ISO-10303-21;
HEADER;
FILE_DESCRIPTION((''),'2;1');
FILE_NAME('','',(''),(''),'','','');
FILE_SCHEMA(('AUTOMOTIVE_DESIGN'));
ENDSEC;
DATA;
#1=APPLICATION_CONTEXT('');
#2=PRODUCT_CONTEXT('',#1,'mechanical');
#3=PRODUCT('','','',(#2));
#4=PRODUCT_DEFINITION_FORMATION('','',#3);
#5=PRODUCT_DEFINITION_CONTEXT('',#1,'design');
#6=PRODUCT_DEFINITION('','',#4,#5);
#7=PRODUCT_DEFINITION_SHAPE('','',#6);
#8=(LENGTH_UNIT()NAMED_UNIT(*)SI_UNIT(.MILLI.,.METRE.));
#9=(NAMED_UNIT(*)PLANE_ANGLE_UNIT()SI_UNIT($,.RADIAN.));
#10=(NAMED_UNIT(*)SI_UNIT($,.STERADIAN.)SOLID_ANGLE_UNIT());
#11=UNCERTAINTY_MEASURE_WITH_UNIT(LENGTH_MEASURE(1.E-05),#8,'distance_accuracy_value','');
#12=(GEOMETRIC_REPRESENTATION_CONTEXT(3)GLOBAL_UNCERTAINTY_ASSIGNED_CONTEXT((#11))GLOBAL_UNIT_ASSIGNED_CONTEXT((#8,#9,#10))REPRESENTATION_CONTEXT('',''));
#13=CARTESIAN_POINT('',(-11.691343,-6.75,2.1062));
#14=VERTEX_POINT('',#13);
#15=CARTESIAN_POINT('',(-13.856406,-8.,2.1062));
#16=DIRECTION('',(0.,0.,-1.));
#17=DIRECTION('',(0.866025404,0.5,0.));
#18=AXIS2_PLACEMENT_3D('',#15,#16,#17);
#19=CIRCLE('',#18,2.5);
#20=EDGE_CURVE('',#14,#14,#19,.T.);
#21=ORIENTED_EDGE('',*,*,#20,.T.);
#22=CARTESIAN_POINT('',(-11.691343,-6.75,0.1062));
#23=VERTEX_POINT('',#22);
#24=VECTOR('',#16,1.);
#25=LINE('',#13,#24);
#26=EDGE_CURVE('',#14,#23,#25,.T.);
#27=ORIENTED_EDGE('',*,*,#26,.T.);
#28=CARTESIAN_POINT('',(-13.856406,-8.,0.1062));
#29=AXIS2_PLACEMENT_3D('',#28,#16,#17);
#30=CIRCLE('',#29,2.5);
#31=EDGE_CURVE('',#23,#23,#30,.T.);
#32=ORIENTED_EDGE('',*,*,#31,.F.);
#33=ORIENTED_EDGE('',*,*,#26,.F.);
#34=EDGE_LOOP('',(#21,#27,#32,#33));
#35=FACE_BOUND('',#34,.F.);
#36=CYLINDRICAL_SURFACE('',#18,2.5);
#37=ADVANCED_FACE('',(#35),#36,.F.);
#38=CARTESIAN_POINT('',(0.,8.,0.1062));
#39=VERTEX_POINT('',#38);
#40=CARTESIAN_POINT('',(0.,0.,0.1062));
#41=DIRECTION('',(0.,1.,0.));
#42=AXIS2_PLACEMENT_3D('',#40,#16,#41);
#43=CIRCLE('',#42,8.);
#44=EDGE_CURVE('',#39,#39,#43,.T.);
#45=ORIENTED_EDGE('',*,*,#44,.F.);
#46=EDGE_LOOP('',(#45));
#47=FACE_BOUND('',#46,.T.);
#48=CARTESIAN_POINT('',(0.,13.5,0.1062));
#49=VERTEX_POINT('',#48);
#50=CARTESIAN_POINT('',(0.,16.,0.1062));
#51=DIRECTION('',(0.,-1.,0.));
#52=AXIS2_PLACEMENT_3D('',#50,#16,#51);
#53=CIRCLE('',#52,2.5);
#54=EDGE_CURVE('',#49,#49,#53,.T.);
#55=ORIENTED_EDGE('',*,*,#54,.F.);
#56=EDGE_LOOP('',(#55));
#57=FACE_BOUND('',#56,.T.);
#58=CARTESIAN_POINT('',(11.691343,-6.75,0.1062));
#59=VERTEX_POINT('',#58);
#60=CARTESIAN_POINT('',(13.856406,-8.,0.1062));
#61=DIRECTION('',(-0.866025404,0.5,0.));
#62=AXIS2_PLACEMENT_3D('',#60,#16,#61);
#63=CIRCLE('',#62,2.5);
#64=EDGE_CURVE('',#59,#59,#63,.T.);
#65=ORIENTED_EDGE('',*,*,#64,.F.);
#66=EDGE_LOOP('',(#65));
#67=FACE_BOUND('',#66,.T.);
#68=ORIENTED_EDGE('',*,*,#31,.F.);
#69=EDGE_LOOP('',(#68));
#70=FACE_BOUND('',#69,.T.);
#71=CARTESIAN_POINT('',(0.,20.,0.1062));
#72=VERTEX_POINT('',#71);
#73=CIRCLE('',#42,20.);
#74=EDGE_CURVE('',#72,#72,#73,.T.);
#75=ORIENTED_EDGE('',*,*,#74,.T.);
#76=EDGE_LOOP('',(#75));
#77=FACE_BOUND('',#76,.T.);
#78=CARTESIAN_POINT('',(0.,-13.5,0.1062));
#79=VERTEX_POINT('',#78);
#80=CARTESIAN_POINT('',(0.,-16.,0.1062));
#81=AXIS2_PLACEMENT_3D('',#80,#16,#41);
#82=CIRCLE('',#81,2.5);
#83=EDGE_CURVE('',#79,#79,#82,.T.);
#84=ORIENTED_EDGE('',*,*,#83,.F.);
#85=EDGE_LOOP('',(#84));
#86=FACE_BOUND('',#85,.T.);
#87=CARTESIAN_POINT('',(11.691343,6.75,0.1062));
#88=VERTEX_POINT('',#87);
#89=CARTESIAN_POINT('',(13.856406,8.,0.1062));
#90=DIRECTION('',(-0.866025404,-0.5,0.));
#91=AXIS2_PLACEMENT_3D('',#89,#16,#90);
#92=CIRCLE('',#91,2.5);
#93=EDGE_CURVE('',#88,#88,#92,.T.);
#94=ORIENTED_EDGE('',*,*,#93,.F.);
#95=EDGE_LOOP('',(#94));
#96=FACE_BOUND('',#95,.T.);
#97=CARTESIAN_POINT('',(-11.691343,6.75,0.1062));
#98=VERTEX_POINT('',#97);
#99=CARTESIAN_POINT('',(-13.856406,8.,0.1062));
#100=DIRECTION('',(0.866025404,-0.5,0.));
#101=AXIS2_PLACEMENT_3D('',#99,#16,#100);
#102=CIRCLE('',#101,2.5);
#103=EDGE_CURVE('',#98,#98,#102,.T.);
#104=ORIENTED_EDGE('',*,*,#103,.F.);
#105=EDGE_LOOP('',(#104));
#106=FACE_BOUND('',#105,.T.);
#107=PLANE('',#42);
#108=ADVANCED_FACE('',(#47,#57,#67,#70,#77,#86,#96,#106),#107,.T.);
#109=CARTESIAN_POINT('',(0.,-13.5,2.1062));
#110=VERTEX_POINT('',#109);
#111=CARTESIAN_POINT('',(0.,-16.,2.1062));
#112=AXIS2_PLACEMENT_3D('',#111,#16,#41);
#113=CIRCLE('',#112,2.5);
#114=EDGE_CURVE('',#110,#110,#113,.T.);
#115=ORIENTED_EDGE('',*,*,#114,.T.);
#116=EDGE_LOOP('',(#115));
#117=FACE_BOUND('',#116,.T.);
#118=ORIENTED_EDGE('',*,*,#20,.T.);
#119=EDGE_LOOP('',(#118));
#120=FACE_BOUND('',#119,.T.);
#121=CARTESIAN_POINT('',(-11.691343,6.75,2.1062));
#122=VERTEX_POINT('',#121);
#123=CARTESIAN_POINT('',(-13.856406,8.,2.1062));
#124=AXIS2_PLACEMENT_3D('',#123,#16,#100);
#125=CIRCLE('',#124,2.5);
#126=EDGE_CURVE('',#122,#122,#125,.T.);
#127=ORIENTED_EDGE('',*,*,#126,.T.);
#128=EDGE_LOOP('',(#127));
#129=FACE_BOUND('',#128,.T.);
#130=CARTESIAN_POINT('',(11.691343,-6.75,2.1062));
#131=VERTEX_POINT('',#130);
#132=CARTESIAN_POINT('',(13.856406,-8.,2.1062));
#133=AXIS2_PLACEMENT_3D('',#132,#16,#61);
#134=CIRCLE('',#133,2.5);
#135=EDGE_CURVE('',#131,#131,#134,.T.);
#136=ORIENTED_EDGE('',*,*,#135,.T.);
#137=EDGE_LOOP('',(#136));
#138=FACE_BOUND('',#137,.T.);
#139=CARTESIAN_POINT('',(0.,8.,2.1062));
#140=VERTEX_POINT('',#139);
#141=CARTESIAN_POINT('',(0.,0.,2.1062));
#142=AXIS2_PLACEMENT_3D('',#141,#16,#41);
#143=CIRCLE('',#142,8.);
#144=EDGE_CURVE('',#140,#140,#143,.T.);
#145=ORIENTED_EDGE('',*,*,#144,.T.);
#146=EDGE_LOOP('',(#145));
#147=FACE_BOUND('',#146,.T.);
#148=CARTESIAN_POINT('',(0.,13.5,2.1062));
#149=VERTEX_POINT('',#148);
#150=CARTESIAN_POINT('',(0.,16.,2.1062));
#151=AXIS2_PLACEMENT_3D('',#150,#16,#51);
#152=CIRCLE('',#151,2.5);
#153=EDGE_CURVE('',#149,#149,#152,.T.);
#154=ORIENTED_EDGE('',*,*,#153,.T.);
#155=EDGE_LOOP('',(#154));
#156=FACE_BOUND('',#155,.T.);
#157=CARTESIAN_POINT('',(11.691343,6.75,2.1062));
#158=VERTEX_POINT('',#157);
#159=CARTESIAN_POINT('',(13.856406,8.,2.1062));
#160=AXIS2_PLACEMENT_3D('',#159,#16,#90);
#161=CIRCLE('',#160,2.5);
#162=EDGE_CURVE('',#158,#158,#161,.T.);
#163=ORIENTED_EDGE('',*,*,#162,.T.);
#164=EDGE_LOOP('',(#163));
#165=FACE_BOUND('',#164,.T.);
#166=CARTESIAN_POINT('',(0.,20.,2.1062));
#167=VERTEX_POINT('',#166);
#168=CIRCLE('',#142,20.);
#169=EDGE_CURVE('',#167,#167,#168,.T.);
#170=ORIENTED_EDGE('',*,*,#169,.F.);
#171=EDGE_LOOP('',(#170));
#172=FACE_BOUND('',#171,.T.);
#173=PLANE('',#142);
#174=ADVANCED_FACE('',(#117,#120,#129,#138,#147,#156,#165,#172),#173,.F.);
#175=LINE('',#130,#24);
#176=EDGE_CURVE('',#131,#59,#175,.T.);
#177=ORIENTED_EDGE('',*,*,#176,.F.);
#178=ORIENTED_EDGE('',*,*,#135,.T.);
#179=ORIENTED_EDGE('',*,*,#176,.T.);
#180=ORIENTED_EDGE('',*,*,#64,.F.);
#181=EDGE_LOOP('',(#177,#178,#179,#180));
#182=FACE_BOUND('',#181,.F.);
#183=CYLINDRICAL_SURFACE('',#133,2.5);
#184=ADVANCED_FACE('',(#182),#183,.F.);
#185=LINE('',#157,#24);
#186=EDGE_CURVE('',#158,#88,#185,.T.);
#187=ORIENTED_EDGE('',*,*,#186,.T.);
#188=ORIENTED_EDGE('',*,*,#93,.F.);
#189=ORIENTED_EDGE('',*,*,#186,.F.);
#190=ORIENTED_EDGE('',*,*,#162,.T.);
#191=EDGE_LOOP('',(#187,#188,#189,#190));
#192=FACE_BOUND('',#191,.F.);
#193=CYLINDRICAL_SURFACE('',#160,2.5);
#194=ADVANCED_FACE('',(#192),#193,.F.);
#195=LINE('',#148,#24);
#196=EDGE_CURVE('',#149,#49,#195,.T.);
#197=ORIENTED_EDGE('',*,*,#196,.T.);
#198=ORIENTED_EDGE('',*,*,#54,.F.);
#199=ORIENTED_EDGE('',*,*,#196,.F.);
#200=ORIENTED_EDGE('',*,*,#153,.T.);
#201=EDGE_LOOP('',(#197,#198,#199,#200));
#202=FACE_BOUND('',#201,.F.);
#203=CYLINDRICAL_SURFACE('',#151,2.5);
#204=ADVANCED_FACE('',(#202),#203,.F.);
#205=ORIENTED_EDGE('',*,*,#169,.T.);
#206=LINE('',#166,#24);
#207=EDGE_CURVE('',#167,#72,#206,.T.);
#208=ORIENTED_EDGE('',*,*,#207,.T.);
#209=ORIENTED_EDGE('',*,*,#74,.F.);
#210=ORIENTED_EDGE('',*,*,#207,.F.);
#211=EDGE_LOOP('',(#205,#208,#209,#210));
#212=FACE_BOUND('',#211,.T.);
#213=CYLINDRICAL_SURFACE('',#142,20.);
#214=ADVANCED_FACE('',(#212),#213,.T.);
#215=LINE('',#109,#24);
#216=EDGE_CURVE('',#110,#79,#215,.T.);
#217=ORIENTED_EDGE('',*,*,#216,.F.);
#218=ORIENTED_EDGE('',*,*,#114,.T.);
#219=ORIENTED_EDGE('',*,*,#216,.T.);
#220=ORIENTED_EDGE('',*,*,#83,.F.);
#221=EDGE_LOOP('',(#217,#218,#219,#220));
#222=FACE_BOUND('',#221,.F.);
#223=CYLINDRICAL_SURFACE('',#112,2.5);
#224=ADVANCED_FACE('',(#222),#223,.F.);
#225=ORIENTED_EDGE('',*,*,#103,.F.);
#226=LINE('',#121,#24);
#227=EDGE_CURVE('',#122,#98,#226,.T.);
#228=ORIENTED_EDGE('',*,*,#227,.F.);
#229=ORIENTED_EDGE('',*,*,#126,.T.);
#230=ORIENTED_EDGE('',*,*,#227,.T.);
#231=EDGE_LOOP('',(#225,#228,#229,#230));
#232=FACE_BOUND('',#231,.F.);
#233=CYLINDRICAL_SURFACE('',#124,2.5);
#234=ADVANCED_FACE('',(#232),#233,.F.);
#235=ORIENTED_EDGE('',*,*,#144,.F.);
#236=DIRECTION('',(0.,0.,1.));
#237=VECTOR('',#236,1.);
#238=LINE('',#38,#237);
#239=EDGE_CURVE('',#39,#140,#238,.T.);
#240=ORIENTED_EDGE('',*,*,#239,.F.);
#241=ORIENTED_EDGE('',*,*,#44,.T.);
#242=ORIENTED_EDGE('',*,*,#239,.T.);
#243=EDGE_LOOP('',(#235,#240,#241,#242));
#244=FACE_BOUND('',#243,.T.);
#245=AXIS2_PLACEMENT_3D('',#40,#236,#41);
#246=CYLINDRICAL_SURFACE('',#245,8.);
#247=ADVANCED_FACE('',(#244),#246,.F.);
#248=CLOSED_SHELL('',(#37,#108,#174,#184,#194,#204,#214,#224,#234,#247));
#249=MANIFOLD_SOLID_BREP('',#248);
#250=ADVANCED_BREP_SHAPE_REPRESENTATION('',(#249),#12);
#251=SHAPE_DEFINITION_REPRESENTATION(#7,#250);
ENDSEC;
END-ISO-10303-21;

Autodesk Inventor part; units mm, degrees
ref_plane "YZ Plane" through (0, 0, 0) normal (1, 0, 0) x (0, 1, 0)
ref_plane "XZ Plane" through (0, 0, 0) normal (0, 1, 0) x (-1, 0, 0)
ref_plane "XY Plane" through (0, 0, 0) normal (0, 0, 1) x (1, 0, 0)
sketch "Sketch1" plane through (0, 0, 0) normal (1, 0, 0) x (0, 1, 0)
  line L0 (0, 0) -> (0, -33.1818)
  line L1 (8, 2.1062) -> (20, 2.1062)
  line L2 (20, 2.1062) -> (20, 0.1062)
  line L3 (20, 0.1062) -> (8, 0.1062)
  line L4 (8, 0.1062) -> (8, 2.1062)
  dimension "d3" = 2
  dimension "d4" = 40
  dimension "d28" = 16
revolve "Revolution1" add sketch "Sketch1" angle 360 about axis through (0, 0, 0) along (0, 0, -1)
sketch "Sketch2" plane through (0, 0, 2.1062) normal (0, 0, 1) x (1, 0, 0)
  point P0 (0, 0)
  point P1 (0, 16)
  dimension "d6" = 16
hole "Hole1" at (0, 16, 2.1062) direction (0, 0, -1) diameter 5 end through all
pattern_circular "Circular Pattern1" count 6 over 360 about axis through (0, 0, 1.1062) along (0, 0, -1) of "Hole1"
properties part number "PTFESeal" material "Polyethylene, High Density"
